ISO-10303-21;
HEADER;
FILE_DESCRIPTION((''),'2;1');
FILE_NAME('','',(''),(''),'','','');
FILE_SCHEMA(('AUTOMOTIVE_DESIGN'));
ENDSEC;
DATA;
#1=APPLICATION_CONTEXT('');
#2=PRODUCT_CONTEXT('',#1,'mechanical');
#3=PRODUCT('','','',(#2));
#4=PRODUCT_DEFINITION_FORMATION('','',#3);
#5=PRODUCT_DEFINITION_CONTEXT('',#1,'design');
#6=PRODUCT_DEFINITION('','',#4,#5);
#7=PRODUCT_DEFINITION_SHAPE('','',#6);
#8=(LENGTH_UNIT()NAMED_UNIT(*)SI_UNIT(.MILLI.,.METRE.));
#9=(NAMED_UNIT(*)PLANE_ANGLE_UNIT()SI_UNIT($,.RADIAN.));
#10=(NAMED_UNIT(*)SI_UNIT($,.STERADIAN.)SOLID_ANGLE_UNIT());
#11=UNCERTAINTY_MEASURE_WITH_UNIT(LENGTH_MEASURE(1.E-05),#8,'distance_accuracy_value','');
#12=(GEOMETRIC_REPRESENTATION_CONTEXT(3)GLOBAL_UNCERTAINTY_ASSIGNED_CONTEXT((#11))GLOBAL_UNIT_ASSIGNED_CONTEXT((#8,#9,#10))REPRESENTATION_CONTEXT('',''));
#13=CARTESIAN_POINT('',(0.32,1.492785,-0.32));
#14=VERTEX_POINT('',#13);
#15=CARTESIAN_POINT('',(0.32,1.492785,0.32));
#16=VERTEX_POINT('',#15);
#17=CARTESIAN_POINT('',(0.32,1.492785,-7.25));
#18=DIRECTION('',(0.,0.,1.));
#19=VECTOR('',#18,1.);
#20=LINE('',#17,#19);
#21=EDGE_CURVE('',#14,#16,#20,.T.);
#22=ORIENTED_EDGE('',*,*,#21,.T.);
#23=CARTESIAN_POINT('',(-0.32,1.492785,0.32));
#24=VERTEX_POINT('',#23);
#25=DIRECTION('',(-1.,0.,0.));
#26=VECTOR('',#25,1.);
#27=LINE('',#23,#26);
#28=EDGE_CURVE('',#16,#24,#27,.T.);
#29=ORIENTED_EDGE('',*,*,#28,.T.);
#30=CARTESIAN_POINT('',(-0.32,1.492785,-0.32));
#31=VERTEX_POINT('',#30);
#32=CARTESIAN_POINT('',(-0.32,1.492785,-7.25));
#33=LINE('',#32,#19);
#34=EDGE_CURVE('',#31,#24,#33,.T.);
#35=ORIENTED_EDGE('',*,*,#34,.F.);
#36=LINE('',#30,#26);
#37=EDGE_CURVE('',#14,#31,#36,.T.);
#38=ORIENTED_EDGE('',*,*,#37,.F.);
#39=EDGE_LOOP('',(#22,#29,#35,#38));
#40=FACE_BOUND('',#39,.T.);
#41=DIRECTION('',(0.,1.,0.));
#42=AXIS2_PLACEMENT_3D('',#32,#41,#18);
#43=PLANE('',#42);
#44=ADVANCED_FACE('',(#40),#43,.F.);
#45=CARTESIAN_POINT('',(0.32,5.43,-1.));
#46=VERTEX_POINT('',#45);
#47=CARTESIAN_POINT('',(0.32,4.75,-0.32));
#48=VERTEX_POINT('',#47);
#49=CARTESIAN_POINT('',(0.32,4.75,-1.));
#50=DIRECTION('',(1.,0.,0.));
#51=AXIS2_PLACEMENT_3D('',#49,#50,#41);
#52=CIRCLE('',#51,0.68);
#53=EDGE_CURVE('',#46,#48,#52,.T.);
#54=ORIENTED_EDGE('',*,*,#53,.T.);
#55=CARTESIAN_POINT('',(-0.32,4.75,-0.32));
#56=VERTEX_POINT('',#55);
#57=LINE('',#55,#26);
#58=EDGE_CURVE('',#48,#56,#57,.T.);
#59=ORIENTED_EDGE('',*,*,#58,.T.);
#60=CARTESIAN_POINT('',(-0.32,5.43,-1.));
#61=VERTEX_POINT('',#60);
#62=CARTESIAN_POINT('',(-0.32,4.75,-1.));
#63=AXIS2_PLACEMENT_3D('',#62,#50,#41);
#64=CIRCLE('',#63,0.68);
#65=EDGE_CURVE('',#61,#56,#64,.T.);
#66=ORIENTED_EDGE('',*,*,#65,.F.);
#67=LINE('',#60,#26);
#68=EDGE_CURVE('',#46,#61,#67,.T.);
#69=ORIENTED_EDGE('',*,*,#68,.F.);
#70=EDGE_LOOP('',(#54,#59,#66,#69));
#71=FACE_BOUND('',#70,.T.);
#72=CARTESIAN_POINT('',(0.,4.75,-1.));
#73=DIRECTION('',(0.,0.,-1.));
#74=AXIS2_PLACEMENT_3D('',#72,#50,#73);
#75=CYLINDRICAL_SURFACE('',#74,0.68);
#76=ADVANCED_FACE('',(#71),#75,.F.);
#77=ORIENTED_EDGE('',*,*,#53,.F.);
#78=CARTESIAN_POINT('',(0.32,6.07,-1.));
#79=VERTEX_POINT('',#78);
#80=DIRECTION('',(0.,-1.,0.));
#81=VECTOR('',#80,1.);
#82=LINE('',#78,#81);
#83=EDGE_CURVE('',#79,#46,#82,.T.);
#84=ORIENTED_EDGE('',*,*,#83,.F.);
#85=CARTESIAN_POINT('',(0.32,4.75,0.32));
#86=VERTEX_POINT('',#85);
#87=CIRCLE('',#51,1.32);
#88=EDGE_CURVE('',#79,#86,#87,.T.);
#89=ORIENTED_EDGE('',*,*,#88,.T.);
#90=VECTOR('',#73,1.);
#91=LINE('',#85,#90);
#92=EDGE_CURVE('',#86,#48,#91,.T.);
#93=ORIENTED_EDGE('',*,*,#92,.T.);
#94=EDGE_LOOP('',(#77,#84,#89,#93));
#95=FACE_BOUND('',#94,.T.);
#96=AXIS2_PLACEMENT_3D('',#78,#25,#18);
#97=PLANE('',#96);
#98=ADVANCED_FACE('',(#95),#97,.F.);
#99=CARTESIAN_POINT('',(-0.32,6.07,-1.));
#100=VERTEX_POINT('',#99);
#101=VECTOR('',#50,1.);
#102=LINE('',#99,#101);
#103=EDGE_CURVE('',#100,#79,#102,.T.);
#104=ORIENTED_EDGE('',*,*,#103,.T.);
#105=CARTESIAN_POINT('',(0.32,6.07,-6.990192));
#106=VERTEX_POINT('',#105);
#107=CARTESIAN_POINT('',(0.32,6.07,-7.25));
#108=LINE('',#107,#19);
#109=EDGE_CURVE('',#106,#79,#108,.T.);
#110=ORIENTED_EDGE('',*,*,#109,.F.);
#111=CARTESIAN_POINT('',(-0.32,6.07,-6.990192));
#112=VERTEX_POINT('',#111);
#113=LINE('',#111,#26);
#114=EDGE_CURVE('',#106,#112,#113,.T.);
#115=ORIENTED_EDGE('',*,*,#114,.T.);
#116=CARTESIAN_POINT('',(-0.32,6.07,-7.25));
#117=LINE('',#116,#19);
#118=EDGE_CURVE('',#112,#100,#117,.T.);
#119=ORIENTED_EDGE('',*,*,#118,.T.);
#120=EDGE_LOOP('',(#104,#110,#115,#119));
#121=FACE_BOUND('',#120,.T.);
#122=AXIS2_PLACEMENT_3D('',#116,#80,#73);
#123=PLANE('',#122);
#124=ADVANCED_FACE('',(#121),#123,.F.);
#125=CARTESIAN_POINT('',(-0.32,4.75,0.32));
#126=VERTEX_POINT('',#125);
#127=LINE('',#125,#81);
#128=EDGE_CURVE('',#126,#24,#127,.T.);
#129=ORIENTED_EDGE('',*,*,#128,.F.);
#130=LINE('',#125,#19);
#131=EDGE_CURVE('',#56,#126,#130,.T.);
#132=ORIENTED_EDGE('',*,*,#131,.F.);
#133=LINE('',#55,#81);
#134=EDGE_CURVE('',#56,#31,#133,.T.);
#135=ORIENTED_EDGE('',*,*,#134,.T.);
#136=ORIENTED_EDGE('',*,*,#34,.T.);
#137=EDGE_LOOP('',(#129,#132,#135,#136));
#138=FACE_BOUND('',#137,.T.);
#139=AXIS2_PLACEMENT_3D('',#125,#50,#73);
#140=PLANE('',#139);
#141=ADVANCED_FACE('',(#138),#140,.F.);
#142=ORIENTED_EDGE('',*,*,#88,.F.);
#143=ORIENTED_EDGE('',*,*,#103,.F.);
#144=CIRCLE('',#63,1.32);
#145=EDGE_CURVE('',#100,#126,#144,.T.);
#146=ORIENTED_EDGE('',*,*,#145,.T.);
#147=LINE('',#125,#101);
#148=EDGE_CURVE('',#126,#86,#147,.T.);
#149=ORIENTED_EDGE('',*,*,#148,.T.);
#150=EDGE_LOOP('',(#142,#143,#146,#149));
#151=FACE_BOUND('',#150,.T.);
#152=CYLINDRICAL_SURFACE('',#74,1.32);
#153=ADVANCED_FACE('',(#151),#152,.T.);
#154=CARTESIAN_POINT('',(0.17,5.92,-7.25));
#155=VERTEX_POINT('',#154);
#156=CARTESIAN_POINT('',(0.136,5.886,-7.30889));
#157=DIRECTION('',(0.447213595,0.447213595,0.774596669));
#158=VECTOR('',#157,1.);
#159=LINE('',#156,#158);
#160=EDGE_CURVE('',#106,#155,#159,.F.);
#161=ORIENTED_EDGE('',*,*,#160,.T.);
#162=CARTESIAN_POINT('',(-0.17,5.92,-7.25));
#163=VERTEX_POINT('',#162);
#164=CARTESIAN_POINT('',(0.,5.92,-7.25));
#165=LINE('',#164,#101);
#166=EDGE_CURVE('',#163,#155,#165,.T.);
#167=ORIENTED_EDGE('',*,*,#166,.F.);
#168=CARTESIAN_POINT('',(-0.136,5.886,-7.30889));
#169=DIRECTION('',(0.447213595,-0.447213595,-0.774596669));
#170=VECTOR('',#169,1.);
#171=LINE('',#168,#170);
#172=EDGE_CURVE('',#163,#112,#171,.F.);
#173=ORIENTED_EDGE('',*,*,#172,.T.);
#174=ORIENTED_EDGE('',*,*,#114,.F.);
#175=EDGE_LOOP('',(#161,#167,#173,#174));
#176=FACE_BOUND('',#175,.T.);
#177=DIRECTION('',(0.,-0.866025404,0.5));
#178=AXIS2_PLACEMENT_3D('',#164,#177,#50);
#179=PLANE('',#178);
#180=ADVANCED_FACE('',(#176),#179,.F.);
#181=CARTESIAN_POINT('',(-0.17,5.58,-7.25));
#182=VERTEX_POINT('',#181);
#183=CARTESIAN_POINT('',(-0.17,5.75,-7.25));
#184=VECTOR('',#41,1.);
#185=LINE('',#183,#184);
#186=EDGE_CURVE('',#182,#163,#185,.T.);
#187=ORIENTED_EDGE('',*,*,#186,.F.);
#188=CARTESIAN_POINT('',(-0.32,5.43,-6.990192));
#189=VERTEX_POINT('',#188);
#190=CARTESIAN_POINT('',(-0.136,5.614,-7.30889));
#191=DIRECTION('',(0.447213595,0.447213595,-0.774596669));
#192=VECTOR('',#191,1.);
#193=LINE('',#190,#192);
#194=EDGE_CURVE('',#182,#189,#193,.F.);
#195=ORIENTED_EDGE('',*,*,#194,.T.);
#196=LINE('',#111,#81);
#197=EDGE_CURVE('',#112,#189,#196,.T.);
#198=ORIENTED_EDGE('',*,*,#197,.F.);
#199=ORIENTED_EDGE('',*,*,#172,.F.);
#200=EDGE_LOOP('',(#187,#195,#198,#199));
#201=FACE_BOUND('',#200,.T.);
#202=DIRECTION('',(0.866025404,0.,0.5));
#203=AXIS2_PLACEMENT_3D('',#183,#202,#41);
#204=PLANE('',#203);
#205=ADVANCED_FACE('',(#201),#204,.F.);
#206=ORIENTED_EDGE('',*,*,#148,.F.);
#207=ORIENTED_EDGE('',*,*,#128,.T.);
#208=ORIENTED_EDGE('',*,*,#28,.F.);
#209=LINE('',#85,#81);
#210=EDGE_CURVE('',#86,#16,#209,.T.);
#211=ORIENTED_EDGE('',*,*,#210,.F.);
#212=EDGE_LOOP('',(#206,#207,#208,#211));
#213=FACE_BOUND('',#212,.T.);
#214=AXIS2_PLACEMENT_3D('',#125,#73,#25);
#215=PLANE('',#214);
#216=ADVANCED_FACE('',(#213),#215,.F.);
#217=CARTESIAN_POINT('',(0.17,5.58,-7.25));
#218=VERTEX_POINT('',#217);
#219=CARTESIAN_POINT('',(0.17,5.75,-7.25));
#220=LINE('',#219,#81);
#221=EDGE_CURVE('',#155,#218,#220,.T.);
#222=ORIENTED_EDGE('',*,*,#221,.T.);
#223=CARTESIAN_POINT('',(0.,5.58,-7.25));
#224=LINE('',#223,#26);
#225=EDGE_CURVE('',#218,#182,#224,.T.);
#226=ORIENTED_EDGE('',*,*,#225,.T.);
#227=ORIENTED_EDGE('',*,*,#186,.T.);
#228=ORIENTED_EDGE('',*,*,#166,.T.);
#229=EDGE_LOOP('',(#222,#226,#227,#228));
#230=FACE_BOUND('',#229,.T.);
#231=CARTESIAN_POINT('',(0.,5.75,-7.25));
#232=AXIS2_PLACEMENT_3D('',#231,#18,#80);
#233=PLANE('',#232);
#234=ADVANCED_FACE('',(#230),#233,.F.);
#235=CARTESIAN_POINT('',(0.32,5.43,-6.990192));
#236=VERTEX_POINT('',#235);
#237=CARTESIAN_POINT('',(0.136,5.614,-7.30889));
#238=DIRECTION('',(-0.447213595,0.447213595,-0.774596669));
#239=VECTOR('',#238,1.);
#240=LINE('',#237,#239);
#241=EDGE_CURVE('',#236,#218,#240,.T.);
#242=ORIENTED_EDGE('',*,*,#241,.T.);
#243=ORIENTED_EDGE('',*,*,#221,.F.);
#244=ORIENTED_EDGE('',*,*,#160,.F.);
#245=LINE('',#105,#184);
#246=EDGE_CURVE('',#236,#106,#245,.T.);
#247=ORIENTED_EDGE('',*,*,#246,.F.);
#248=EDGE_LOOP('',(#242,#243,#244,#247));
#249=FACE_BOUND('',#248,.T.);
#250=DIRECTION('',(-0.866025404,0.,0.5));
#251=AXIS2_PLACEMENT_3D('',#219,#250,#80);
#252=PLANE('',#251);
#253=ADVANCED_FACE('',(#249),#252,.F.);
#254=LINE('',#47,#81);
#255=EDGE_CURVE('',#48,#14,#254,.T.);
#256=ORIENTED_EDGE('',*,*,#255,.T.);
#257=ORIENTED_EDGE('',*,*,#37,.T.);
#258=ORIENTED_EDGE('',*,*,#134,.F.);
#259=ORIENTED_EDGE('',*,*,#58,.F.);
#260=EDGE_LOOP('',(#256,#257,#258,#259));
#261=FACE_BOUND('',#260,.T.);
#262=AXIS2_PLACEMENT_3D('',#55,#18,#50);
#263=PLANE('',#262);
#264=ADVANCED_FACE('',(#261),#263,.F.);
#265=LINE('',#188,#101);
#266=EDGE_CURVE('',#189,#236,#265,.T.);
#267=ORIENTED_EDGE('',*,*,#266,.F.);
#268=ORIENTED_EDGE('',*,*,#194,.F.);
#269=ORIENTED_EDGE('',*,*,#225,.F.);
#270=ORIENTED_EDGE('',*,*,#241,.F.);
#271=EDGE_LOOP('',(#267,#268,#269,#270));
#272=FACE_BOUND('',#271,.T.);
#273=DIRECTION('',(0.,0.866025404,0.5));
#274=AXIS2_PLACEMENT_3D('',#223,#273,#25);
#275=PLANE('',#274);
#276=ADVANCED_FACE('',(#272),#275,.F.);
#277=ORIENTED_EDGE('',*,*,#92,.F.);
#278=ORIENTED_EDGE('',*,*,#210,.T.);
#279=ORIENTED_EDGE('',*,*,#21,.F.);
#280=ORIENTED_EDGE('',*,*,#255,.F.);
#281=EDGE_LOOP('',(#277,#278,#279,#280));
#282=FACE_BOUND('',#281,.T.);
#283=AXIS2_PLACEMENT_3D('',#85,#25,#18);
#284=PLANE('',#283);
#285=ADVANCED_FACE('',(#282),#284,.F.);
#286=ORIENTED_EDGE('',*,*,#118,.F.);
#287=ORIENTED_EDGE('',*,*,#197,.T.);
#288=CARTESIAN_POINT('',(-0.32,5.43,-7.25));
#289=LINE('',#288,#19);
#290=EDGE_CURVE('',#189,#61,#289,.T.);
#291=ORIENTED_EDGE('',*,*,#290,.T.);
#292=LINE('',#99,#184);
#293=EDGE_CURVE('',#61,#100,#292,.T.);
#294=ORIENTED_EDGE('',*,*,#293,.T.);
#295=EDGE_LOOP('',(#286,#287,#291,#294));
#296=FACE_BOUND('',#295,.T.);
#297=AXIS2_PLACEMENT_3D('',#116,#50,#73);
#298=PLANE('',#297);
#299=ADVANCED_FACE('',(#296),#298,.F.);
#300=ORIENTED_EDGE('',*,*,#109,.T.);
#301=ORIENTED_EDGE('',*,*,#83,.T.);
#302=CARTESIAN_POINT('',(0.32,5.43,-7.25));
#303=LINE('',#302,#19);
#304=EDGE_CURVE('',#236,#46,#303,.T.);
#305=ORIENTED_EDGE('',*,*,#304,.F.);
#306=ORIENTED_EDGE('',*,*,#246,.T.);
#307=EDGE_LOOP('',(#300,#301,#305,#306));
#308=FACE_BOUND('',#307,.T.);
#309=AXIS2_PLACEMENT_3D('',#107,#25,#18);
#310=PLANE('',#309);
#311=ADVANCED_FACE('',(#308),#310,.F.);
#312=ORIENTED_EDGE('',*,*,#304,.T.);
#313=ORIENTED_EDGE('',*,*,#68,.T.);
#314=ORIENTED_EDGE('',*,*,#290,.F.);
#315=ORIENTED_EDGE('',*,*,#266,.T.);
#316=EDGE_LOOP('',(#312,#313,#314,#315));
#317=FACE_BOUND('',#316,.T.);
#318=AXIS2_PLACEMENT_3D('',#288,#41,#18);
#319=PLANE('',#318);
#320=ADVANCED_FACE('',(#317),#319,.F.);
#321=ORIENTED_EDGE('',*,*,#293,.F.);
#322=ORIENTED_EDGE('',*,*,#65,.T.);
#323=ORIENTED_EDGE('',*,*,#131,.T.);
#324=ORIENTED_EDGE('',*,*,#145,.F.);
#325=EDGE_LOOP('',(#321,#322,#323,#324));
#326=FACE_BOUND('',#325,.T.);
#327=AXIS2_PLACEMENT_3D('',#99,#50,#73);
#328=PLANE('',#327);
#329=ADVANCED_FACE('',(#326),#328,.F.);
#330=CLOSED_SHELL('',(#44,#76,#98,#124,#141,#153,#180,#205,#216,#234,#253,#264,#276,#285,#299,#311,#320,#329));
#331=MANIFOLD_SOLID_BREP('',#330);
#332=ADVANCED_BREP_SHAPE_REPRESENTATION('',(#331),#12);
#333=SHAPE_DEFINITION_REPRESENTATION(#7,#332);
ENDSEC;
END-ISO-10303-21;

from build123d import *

# Parameters (mm, degrees)
SKETCH_3_W             = 0.64
SKETCH_3_H             = 0.64
CHAMFER_1_SIZE         = 0.15
CHAMFER_1_SIZE2        = 0.259807621
CHAMFER_1_PART_2_SIZE  = 0.15
CHAMFER_1_PART_2_SIZE2 = 0.259807621
SKETCH1_W              = 0.64
SKETCH1_H              = 4.734584987
CUT_EXTRUDE1_DEPTH     = 8.57


with BuildPart() as part:
    # Sweep 1: sweep along a path in Sketch 2
    with BuildLine(Plane(origin=(0, 0, 0), x_dir=(0, 0, -1), z_dir=(1, 0, 0))) as sweep_1_path:
        Line((0, -3), (0, 0))
        Line((0, 0), (0, 4.75))
        ThreePointArc((0, 4.75), (0.292893219, 5.457106781), (1, 5.75))
        Line((1, 5.75), (7.25, 5.75))
    # Sketch 3 → Sweep 1 (sweep)
    with BuildSketch(Plane(origin=(0, 0, 0), x_dir=(1, 0, 0), z_dir=(0, 1, 0))):
        Rectangle(SKETCH_3_W, SKETCH_3_H)
    sweep(path=sweep_1_path.line)

    # Chamfer 1
    chamfer_1_edges = [part.edges().sort_by_distance(p)[0] for p in [
        (0, 5.43, -7.25),
        (-0.32, 5.75, -7.25),
        (0, 6.07, -7.25),
        (0.32, 5.75, -7.25),
    ]]
    chamfer_1_side = [part.faces().sort_by_distance(p)[0] for p in [
        (0, 5.75, -7.25),
    ]]
    chamfer(chamfer_1_edges, length=CHAMFER_1_SIZE, length2=CHAMFER_1_SIZE2, reference=chamfer_1_side[0])

    # Chamfer 1 part 2
    chamfer_1_part_2_edges = [part.edges().sort_by_distance(p)[0] for p in [
        (0.32, -3, 0),
        (0, -3, -0.32),
        (-0.32, -3, 0),
        (0, -3, 0.32),
    ]]
    chamfer_1_part_2_side = [part.faces().sort_by_distance(p)[0] for p in [
        (0, -3, 0),
    ]]
    chamfer(chamfer_1_part_2_edges, length=CHAMFER_1_PART_2_SIZE, length2=CHAMFER_1_PART_2_SIZE2, reference=chamfer_1_part_2_side[0])

    # Sketch1 → Cut-Extrude1 (cut, through all)
    with BuildSketch(Plane.XY.offset(0.32)):
        with Locations((0, -0.874507109)):
            Rectangle(SKETCH1_W, SKETCH1_H)
    extrude(amount=-CUT_EXTRUDE1_DEPTH, mode=Mode.SUBTRACT)


solid = part.part
